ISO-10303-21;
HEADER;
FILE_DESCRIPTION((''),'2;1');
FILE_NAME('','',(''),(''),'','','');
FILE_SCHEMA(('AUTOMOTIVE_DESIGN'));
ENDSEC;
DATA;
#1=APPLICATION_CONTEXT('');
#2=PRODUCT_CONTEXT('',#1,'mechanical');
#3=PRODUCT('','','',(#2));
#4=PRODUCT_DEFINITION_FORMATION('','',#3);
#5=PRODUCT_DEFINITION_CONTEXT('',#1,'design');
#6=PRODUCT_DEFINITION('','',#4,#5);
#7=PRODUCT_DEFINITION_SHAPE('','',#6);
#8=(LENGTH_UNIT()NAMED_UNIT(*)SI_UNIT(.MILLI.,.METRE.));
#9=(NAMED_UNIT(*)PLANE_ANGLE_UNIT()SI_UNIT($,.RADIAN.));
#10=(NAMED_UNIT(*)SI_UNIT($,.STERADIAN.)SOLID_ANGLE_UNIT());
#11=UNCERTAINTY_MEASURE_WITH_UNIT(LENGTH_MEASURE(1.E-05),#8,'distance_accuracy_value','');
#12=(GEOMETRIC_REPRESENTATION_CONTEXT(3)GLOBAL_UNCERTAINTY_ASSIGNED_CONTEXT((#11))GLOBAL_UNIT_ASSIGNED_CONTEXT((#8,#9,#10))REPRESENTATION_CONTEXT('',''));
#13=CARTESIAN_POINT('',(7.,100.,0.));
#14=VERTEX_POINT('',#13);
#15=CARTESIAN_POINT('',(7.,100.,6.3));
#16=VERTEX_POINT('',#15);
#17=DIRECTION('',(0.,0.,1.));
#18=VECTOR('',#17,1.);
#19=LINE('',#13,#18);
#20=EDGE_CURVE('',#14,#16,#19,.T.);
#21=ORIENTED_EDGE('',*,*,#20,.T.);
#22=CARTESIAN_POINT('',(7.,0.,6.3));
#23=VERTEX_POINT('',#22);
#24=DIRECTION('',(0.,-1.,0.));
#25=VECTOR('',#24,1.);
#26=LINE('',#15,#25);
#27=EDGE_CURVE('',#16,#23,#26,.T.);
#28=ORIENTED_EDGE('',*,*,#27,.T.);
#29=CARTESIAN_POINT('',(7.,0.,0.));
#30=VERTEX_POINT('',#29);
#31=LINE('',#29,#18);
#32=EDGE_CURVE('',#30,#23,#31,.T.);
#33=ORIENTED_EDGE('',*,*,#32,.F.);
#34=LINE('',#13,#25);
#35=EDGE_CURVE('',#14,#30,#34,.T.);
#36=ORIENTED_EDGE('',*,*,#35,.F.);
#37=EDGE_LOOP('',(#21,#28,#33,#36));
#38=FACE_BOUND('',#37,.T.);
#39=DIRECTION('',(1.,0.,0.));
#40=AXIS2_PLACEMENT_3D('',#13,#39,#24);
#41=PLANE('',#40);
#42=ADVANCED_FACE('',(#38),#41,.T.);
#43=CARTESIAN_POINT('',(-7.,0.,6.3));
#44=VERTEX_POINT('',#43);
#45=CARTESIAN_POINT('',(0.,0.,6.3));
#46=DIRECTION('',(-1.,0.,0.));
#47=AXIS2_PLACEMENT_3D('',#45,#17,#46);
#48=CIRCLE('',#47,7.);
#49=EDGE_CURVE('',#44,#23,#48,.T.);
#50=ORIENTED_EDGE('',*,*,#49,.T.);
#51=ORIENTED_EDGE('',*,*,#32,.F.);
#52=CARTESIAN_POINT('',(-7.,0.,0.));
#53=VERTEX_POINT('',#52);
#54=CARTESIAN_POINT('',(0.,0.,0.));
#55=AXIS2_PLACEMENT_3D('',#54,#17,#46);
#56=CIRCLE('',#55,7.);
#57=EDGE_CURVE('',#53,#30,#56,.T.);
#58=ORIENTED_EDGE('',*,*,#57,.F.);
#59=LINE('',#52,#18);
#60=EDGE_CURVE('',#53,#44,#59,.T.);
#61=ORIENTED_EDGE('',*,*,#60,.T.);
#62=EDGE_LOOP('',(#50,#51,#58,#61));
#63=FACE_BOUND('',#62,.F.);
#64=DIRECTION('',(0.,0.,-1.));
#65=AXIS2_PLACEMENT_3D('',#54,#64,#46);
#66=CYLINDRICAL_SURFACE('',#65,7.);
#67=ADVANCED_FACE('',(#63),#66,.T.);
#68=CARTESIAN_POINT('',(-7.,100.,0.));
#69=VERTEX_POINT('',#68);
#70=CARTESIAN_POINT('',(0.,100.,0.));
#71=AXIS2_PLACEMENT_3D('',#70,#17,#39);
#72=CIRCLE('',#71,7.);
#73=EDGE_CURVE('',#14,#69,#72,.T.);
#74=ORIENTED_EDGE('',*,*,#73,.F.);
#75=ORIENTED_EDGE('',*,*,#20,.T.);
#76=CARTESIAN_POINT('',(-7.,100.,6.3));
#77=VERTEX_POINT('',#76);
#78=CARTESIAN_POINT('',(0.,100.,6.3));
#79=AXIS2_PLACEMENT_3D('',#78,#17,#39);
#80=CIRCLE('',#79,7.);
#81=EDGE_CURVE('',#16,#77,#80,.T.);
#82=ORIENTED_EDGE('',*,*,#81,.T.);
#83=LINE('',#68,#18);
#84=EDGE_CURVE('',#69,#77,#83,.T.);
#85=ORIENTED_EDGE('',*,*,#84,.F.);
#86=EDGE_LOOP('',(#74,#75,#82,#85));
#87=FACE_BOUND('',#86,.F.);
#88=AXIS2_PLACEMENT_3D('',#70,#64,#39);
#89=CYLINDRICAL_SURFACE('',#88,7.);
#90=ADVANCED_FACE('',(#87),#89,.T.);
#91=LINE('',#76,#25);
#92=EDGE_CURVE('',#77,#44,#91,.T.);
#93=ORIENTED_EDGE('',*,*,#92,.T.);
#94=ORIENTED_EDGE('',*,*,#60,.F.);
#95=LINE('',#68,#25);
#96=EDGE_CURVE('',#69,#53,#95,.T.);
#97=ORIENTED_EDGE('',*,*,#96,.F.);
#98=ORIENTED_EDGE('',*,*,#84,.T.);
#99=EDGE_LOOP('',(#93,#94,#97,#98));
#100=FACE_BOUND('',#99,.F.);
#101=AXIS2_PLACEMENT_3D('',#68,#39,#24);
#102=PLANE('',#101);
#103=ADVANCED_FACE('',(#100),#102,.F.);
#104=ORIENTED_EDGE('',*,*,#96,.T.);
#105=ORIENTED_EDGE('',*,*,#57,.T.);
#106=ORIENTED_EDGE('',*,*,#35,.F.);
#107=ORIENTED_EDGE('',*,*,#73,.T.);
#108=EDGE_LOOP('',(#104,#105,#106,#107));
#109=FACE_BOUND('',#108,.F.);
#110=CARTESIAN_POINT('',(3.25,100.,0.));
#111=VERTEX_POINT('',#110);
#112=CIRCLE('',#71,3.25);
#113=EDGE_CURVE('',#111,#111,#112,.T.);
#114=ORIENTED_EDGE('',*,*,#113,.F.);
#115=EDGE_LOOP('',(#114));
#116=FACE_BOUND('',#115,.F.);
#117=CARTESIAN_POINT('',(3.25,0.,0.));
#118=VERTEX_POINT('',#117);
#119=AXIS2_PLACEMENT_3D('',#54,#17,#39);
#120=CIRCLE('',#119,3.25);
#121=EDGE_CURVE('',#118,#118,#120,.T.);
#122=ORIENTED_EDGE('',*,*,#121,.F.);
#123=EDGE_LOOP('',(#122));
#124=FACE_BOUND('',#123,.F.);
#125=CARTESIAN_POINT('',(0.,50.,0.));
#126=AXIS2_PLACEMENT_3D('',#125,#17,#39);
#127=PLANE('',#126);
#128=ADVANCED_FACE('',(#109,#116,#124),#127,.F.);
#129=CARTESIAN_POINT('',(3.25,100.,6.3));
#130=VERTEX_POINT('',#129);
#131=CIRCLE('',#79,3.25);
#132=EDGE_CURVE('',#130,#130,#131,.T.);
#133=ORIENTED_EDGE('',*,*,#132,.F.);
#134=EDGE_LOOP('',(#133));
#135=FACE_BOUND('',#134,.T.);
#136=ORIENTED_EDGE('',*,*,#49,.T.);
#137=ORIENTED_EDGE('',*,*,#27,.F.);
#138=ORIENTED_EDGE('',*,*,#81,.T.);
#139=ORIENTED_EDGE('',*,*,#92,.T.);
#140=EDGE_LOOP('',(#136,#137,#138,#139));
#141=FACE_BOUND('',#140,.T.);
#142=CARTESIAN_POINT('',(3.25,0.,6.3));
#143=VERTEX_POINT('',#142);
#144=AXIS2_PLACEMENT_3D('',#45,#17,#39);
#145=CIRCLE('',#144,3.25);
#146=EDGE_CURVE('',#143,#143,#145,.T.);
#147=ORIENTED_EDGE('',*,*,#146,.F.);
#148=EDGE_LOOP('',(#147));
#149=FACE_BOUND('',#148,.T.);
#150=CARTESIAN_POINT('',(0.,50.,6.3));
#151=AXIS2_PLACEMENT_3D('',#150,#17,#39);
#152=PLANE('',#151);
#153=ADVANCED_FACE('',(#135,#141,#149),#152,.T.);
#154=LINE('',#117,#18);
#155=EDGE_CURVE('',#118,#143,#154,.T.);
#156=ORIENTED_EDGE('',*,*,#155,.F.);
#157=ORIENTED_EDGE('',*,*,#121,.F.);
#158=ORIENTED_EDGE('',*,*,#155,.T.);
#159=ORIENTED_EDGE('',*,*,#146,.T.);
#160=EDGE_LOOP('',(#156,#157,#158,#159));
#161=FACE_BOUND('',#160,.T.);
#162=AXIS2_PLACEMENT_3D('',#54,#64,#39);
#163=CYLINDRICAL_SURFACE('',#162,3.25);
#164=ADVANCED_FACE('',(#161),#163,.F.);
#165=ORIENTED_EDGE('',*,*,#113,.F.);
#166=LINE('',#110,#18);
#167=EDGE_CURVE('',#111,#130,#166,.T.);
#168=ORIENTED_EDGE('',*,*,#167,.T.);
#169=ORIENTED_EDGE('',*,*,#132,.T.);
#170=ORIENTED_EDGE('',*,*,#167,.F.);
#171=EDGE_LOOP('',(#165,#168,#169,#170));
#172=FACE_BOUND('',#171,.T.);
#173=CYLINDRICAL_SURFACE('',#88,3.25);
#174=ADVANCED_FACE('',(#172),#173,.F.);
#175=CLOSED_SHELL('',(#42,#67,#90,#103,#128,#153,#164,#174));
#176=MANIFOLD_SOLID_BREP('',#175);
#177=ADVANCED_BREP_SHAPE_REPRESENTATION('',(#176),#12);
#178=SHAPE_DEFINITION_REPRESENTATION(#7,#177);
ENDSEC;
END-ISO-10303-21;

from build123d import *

# Parameters (mm, degrees)
SKETCH_R  = 3.25
PAD_DEPTH = 6.3


with BuildPart() as part:
    # Sketch (on XY_Plane of Origin) → Pad (new body)
    with BuildSketch(Plane.XY):
        with BuildLine():
            ThreePointArc((7, 100), (0, 107), (-7, 100))
            Line((-7, 100), (-7, 0))
            ThreePointArc((-7, 0), (0, -7), (7, 0))
            Line((7, 100), (7, 0))
        make_face()
        Circle(SKETCH_R, mode=Mode.SUBTRACT)
        with Locations((0, 100)):
            Circle(SKETCH_R, mode=Mode.SUBTRACT)
    extrude(amount=PAD_DEPTH)


solid = part.part
